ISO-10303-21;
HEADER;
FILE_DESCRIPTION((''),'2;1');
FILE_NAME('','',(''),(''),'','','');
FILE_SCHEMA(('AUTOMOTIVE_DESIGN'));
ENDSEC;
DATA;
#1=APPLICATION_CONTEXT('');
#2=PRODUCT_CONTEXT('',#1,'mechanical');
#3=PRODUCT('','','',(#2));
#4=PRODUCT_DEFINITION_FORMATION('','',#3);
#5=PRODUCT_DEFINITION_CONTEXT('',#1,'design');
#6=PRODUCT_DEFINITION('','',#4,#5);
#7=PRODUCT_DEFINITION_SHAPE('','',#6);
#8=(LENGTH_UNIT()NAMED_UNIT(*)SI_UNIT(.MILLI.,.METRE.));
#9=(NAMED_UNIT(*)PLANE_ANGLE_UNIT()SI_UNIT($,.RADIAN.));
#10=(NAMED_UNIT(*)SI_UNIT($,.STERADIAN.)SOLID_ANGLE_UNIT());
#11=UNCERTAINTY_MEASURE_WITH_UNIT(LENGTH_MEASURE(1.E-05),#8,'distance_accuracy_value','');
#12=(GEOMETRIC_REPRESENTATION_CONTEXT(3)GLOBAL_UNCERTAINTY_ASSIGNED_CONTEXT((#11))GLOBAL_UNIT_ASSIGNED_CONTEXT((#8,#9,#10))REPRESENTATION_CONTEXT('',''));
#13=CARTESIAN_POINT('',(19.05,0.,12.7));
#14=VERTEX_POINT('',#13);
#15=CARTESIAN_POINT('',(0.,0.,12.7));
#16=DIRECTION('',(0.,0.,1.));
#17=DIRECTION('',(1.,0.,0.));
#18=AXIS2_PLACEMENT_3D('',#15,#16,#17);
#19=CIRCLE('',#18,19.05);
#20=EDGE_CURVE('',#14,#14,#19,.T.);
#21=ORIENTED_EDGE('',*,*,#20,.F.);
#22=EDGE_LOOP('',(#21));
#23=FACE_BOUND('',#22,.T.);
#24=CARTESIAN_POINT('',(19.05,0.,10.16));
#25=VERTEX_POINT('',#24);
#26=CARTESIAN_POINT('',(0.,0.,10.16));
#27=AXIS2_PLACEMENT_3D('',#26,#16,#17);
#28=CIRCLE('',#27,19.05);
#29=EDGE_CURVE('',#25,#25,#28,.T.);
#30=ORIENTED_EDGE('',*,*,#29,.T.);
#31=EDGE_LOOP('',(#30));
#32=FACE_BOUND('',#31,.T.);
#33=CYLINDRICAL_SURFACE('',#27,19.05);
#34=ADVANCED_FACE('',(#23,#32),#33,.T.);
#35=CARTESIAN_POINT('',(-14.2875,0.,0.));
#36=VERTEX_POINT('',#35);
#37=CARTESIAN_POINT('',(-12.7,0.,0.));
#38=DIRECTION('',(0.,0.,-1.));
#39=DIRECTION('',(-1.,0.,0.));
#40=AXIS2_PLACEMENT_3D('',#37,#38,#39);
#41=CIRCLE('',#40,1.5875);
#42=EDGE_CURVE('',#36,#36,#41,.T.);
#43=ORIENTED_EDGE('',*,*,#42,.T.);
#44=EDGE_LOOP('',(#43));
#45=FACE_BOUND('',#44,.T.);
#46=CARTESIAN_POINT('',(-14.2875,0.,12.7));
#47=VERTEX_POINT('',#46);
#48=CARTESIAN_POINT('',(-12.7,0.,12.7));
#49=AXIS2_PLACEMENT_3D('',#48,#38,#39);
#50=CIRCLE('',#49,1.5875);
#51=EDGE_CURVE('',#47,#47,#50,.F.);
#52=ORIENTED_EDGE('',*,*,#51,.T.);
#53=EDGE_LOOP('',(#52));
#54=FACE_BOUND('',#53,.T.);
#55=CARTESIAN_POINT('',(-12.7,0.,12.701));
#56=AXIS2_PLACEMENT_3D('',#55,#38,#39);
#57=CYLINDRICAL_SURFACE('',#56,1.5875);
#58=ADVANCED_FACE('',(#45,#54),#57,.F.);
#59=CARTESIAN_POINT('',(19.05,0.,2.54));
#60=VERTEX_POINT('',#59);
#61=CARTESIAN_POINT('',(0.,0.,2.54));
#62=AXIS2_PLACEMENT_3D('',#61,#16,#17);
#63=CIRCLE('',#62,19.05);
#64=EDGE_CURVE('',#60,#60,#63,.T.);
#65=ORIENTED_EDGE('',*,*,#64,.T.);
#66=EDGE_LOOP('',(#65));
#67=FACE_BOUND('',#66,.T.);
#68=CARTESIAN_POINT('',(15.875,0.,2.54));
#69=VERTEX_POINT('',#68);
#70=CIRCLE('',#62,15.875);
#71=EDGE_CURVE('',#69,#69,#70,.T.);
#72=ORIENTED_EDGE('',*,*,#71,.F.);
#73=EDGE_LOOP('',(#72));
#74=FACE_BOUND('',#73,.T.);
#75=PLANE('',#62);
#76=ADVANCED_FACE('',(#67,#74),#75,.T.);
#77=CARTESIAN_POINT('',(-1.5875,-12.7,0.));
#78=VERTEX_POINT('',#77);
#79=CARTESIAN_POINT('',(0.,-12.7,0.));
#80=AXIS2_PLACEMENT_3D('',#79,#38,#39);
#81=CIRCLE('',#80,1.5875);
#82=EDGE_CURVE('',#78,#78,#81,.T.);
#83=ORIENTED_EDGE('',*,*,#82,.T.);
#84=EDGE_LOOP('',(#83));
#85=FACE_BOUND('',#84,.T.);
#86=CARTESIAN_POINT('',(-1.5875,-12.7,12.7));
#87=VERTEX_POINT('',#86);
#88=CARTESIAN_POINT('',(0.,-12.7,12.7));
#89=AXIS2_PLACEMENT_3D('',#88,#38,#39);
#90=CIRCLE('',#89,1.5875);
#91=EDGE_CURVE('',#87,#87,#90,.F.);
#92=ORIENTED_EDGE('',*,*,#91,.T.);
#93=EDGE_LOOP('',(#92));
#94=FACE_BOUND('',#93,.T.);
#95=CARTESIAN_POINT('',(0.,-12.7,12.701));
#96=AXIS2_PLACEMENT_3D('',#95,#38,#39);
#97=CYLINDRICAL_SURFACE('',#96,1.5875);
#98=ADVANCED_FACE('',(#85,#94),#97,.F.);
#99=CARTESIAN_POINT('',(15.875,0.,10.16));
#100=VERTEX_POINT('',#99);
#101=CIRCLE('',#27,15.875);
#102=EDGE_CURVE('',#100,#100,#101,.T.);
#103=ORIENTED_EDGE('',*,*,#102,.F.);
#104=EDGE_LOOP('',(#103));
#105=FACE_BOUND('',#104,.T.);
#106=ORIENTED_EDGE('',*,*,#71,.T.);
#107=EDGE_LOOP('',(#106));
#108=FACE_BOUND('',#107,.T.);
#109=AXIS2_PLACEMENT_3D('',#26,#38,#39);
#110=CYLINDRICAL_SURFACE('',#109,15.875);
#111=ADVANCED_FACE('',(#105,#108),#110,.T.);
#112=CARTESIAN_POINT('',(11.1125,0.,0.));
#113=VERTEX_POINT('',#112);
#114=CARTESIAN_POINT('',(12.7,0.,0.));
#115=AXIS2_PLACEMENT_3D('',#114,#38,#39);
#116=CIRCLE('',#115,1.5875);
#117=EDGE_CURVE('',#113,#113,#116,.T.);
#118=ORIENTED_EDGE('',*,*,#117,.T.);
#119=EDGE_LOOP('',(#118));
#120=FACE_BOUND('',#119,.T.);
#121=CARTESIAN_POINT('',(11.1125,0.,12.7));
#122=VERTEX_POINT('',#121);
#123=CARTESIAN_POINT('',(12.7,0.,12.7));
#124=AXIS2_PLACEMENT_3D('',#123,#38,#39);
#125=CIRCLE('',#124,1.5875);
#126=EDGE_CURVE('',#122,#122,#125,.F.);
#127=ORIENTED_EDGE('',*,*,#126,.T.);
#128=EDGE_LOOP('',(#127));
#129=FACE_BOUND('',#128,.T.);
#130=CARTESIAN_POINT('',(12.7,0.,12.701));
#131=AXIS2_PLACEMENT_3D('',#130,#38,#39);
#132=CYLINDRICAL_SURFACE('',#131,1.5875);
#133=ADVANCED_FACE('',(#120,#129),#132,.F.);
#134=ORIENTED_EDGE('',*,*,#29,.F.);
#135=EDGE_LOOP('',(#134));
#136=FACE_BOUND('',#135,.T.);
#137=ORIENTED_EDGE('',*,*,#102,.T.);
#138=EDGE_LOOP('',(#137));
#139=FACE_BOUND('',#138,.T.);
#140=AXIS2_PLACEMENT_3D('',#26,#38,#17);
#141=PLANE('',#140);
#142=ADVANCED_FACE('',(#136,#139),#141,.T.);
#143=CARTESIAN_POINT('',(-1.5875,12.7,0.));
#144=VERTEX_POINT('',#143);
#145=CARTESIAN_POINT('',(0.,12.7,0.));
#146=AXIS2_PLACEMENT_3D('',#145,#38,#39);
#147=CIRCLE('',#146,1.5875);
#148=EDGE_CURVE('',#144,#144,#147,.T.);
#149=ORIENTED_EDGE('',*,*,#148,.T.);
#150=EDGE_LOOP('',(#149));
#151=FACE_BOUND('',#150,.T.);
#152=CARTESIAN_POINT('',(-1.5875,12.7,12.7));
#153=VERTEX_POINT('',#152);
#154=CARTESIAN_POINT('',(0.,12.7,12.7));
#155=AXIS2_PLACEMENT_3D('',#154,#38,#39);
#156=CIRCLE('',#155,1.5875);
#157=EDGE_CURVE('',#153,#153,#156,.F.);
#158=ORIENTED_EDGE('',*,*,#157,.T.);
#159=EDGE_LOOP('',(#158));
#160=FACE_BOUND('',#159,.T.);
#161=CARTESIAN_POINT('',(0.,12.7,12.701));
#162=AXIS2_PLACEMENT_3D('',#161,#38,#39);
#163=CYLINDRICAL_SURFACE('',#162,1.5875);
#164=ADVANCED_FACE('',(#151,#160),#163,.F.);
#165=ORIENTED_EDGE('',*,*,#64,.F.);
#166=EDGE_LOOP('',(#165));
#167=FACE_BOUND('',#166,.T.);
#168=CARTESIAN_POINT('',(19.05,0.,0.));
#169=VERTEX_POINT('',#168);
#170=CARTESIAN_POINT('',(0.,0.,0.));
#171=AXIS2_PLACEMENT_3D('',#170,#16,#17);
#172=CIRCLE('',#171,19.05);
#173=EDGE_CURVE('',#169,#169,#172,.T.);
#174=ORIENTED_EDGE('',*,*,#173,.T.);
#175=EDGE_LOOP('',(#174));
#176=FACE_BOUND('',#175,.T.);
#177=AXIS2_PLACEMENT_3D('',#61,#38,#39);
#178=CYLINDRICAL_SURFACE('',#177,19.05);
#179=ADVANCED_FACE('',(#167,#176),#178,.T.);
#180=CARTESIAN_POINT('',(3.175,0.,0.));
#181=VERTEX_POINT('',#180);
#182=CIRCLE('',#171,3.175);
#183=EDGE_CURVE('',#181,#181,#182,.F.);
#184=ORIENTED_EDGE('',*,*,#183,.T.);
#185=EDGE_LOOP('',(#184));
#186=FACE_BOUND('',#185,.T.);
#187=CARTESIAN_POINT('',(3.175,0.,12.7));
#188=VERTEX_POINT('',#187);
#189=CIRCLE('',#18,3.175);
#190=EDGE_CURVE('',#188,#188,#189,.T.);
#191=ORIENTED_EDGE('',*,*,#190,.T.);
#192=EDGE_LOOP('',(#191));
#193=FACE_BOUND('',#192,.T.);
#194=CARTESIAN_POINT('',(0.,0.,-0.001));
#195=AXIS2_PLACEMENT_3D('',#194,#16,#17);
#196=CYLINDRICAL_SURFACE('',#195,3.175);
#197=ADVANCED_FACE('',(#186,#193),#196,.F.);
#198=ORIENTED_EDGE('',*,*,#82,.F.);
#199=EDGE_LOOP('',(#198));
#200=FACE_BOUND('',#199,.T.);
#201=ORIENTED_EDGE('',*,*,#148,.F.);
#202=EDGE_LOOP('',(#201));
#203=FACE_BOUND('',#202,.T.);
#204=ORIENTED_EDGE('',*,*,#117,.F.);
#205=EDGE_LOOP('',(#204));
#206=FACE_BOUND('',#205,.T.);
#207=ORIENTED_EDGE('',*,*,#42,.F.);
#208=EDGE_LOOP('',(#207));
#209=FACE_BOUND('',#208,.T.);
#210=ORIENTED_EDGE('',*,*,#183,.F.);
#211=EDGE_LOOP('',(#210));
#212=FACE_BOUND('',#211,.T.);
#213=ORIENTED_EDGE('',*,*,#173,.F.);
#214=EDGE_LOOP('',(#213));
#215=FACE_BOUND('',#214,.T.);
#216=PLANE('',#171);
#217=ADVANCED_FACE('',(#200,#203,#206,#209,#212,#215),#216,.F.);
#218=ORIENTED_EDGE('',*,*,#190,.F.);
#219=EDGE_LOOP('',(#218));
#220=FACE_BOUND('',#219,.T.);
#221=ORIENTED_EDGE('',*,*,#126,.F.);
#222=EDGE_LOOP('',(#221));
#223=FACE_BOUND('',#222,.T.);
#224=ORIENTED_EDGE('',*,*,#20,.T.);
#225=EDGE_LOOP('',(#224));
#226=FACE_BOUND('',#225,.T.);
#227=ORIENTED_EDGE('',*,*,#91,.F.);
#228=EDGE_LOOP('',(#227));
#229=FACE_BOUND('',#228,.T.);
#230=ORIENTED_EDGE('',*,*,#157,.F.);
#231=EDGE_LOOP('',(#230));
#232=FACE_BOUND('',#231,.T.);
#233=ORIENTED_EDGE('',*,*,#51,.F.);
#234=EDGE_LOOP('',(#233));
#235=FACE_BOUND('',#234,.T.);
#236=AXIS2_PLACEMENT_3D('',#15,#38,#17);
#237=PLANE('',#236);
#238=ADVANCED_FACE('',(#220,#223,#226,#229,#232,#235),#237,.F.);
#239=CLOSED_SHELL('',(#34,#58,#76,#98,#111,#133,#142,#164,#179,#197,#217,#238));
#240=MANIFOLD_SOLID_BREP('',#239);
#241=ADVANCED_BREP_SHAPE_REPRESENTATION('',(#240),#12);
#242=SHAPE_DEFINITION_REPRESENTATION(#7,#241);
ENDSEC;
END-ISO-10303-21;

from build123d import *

# Parameters (mm, degrees)
SKETCH1_R           = 19.05
BOSS_EXTRUDE1_DEPTH = 2.54
SKETCH2_R           = 15.875
BOSS_EXTRUDE2_DEPTH = 7.62
CUT_EXTRUDE1_REACH  = 14.7
SKETCH4_R           = 3.175
CUT_EXTRUDE2_REACH  = 14.7
SKETCH5_R           = 1.5875


with BuildPart() as part:
    # Sketch1 → Boss-Extrude1 (new body)
    with BuildSketch(Plane.XY):
        Circle(SKETCH1_R)
    boss_extrude1 = extrude(amount=BOSS_EXTRUDE1_DEPTH)

    # Sketch2 → Boss-Extrude2 (add)
    with BuildSketch(Plane.XY.offset(2.54)):
        Circle(SKETCH2_R)
    extrude(amount=BOSS_EXTRUDE2_DEPTH)

    # Mirror1: Boss-Extrude1 across plane
    add(boss_extrude1.mirror(Plane.XY.offset(6.35)))

    # Sketch4 → Cut-Extrude1 (cut, up to next)
    with BuildSketch(Plane.XY.offset(12.7), mode=Mode.PRIVATE) as cut_extrude1_sk1:
        Circle(SKETCH4_R)
    cut_extrude1_tool1 = extrude(cut_extrude1_sk1.sketch, amount=-CUT_EXTRUDE1_REACH, mode=Mode.PRIVATE) & part.part
    add(cut_extrude1_tool1.solids().sort_by_distance((0, 0, 12.7))[0], mode=Mode.SUBTRACT)

    # Sketch5 → Cut-Extrude2 (cut, up to next)
    with BuildSketch(Plane(origin=(0, 0, 0), x_dir=(-1, 0, 0), z_dir=(0, 0, -1)), mode=Mode.PRIVATE) as cut_extrude2_sk1:
        with Locations((0, 12.7)):
            Circle(SKETCH5_R)
    cut_extrude2_tool1 = extrude(cut_extrude2_sk1.sketch, amount=-CUT_EXTRUDE2_REACH, mode=Mode.PRIVATE) & part.part
    add(cut_extrude2_tool1.solids().sort_by_distance((0, 12.7, 0))[0], mode=Mode.SUBTRACT)
    # Sketch5 → Cut-Extrude2 (cut, up to next)
    with BuildSketch(Plane(origin=(0, 0, 0), x_dir=(-1, 0, 0), z_dir=(0, 0, -1)), mode=Mode.PRIVATE) as cut_extrude2_sk2:
        with Locations((12.7, 0)):
            Circle(SKETCH5_R)
    cut_extrude2_tool2 = extrude(cut_extrude2_sk2.sketch, amount=-CUT_EXTRUDE2_REACH, mode=Mode.PRIVATE) & part.part
    add(cut_extrude2_tool2.solids().sort_by_distance((-12.7, 0, 0))[0], mode=Mode.SUBTRACT)
    # Sketch5 → Cut-Extrude2 (cut, up to next)
    with BuildSketch(Plane(origin=(0, 0, 0), x_dir=(-1, 0, 0), z_dir=(0, 0, -1)), mode=Mode.PRIVATE) as cut_extrude2_sk3:
        with Locations((0, -12.7)):
            Circle(SKETCH5_R)
    cut_extrude2_tool3 = extrude(cut_extrude2_sk3.sketch, amount=-CUT_EXTRUDE2_REACH, mode=Mode.PRIVATE) & part.part
    add(cut_extrude2_tool3.solids().sort_by_distance((0, -12.7, 0))[0], mode=Mode.SUBTRACT)
    # Sketch5 → Cut-Extrude2 (cut, up to next)
    with BuildSketch(Plane(origin=(0, 0, 0), x_dir=(-1, 0, 0), z_dir=(0, 0, -1)), mode=Mode.PRIVATE) as cut_extrude2_sk4:
        with Locations((-12.7, 0)):
            Circle(SKETCH5_R)
    cut_extrude2_tool4 = extrude(cut_extrude2_sk4.sketch, amount=-CUT_EXTRUDE2_REACH, mode=Mode.PRIVATE) & part.part
    add(cut_extrude2_tool4.solids().sort_by_distance((12.7, 0, 0))[0], mode=Mode.SUBTRACT)


solid = part.part
